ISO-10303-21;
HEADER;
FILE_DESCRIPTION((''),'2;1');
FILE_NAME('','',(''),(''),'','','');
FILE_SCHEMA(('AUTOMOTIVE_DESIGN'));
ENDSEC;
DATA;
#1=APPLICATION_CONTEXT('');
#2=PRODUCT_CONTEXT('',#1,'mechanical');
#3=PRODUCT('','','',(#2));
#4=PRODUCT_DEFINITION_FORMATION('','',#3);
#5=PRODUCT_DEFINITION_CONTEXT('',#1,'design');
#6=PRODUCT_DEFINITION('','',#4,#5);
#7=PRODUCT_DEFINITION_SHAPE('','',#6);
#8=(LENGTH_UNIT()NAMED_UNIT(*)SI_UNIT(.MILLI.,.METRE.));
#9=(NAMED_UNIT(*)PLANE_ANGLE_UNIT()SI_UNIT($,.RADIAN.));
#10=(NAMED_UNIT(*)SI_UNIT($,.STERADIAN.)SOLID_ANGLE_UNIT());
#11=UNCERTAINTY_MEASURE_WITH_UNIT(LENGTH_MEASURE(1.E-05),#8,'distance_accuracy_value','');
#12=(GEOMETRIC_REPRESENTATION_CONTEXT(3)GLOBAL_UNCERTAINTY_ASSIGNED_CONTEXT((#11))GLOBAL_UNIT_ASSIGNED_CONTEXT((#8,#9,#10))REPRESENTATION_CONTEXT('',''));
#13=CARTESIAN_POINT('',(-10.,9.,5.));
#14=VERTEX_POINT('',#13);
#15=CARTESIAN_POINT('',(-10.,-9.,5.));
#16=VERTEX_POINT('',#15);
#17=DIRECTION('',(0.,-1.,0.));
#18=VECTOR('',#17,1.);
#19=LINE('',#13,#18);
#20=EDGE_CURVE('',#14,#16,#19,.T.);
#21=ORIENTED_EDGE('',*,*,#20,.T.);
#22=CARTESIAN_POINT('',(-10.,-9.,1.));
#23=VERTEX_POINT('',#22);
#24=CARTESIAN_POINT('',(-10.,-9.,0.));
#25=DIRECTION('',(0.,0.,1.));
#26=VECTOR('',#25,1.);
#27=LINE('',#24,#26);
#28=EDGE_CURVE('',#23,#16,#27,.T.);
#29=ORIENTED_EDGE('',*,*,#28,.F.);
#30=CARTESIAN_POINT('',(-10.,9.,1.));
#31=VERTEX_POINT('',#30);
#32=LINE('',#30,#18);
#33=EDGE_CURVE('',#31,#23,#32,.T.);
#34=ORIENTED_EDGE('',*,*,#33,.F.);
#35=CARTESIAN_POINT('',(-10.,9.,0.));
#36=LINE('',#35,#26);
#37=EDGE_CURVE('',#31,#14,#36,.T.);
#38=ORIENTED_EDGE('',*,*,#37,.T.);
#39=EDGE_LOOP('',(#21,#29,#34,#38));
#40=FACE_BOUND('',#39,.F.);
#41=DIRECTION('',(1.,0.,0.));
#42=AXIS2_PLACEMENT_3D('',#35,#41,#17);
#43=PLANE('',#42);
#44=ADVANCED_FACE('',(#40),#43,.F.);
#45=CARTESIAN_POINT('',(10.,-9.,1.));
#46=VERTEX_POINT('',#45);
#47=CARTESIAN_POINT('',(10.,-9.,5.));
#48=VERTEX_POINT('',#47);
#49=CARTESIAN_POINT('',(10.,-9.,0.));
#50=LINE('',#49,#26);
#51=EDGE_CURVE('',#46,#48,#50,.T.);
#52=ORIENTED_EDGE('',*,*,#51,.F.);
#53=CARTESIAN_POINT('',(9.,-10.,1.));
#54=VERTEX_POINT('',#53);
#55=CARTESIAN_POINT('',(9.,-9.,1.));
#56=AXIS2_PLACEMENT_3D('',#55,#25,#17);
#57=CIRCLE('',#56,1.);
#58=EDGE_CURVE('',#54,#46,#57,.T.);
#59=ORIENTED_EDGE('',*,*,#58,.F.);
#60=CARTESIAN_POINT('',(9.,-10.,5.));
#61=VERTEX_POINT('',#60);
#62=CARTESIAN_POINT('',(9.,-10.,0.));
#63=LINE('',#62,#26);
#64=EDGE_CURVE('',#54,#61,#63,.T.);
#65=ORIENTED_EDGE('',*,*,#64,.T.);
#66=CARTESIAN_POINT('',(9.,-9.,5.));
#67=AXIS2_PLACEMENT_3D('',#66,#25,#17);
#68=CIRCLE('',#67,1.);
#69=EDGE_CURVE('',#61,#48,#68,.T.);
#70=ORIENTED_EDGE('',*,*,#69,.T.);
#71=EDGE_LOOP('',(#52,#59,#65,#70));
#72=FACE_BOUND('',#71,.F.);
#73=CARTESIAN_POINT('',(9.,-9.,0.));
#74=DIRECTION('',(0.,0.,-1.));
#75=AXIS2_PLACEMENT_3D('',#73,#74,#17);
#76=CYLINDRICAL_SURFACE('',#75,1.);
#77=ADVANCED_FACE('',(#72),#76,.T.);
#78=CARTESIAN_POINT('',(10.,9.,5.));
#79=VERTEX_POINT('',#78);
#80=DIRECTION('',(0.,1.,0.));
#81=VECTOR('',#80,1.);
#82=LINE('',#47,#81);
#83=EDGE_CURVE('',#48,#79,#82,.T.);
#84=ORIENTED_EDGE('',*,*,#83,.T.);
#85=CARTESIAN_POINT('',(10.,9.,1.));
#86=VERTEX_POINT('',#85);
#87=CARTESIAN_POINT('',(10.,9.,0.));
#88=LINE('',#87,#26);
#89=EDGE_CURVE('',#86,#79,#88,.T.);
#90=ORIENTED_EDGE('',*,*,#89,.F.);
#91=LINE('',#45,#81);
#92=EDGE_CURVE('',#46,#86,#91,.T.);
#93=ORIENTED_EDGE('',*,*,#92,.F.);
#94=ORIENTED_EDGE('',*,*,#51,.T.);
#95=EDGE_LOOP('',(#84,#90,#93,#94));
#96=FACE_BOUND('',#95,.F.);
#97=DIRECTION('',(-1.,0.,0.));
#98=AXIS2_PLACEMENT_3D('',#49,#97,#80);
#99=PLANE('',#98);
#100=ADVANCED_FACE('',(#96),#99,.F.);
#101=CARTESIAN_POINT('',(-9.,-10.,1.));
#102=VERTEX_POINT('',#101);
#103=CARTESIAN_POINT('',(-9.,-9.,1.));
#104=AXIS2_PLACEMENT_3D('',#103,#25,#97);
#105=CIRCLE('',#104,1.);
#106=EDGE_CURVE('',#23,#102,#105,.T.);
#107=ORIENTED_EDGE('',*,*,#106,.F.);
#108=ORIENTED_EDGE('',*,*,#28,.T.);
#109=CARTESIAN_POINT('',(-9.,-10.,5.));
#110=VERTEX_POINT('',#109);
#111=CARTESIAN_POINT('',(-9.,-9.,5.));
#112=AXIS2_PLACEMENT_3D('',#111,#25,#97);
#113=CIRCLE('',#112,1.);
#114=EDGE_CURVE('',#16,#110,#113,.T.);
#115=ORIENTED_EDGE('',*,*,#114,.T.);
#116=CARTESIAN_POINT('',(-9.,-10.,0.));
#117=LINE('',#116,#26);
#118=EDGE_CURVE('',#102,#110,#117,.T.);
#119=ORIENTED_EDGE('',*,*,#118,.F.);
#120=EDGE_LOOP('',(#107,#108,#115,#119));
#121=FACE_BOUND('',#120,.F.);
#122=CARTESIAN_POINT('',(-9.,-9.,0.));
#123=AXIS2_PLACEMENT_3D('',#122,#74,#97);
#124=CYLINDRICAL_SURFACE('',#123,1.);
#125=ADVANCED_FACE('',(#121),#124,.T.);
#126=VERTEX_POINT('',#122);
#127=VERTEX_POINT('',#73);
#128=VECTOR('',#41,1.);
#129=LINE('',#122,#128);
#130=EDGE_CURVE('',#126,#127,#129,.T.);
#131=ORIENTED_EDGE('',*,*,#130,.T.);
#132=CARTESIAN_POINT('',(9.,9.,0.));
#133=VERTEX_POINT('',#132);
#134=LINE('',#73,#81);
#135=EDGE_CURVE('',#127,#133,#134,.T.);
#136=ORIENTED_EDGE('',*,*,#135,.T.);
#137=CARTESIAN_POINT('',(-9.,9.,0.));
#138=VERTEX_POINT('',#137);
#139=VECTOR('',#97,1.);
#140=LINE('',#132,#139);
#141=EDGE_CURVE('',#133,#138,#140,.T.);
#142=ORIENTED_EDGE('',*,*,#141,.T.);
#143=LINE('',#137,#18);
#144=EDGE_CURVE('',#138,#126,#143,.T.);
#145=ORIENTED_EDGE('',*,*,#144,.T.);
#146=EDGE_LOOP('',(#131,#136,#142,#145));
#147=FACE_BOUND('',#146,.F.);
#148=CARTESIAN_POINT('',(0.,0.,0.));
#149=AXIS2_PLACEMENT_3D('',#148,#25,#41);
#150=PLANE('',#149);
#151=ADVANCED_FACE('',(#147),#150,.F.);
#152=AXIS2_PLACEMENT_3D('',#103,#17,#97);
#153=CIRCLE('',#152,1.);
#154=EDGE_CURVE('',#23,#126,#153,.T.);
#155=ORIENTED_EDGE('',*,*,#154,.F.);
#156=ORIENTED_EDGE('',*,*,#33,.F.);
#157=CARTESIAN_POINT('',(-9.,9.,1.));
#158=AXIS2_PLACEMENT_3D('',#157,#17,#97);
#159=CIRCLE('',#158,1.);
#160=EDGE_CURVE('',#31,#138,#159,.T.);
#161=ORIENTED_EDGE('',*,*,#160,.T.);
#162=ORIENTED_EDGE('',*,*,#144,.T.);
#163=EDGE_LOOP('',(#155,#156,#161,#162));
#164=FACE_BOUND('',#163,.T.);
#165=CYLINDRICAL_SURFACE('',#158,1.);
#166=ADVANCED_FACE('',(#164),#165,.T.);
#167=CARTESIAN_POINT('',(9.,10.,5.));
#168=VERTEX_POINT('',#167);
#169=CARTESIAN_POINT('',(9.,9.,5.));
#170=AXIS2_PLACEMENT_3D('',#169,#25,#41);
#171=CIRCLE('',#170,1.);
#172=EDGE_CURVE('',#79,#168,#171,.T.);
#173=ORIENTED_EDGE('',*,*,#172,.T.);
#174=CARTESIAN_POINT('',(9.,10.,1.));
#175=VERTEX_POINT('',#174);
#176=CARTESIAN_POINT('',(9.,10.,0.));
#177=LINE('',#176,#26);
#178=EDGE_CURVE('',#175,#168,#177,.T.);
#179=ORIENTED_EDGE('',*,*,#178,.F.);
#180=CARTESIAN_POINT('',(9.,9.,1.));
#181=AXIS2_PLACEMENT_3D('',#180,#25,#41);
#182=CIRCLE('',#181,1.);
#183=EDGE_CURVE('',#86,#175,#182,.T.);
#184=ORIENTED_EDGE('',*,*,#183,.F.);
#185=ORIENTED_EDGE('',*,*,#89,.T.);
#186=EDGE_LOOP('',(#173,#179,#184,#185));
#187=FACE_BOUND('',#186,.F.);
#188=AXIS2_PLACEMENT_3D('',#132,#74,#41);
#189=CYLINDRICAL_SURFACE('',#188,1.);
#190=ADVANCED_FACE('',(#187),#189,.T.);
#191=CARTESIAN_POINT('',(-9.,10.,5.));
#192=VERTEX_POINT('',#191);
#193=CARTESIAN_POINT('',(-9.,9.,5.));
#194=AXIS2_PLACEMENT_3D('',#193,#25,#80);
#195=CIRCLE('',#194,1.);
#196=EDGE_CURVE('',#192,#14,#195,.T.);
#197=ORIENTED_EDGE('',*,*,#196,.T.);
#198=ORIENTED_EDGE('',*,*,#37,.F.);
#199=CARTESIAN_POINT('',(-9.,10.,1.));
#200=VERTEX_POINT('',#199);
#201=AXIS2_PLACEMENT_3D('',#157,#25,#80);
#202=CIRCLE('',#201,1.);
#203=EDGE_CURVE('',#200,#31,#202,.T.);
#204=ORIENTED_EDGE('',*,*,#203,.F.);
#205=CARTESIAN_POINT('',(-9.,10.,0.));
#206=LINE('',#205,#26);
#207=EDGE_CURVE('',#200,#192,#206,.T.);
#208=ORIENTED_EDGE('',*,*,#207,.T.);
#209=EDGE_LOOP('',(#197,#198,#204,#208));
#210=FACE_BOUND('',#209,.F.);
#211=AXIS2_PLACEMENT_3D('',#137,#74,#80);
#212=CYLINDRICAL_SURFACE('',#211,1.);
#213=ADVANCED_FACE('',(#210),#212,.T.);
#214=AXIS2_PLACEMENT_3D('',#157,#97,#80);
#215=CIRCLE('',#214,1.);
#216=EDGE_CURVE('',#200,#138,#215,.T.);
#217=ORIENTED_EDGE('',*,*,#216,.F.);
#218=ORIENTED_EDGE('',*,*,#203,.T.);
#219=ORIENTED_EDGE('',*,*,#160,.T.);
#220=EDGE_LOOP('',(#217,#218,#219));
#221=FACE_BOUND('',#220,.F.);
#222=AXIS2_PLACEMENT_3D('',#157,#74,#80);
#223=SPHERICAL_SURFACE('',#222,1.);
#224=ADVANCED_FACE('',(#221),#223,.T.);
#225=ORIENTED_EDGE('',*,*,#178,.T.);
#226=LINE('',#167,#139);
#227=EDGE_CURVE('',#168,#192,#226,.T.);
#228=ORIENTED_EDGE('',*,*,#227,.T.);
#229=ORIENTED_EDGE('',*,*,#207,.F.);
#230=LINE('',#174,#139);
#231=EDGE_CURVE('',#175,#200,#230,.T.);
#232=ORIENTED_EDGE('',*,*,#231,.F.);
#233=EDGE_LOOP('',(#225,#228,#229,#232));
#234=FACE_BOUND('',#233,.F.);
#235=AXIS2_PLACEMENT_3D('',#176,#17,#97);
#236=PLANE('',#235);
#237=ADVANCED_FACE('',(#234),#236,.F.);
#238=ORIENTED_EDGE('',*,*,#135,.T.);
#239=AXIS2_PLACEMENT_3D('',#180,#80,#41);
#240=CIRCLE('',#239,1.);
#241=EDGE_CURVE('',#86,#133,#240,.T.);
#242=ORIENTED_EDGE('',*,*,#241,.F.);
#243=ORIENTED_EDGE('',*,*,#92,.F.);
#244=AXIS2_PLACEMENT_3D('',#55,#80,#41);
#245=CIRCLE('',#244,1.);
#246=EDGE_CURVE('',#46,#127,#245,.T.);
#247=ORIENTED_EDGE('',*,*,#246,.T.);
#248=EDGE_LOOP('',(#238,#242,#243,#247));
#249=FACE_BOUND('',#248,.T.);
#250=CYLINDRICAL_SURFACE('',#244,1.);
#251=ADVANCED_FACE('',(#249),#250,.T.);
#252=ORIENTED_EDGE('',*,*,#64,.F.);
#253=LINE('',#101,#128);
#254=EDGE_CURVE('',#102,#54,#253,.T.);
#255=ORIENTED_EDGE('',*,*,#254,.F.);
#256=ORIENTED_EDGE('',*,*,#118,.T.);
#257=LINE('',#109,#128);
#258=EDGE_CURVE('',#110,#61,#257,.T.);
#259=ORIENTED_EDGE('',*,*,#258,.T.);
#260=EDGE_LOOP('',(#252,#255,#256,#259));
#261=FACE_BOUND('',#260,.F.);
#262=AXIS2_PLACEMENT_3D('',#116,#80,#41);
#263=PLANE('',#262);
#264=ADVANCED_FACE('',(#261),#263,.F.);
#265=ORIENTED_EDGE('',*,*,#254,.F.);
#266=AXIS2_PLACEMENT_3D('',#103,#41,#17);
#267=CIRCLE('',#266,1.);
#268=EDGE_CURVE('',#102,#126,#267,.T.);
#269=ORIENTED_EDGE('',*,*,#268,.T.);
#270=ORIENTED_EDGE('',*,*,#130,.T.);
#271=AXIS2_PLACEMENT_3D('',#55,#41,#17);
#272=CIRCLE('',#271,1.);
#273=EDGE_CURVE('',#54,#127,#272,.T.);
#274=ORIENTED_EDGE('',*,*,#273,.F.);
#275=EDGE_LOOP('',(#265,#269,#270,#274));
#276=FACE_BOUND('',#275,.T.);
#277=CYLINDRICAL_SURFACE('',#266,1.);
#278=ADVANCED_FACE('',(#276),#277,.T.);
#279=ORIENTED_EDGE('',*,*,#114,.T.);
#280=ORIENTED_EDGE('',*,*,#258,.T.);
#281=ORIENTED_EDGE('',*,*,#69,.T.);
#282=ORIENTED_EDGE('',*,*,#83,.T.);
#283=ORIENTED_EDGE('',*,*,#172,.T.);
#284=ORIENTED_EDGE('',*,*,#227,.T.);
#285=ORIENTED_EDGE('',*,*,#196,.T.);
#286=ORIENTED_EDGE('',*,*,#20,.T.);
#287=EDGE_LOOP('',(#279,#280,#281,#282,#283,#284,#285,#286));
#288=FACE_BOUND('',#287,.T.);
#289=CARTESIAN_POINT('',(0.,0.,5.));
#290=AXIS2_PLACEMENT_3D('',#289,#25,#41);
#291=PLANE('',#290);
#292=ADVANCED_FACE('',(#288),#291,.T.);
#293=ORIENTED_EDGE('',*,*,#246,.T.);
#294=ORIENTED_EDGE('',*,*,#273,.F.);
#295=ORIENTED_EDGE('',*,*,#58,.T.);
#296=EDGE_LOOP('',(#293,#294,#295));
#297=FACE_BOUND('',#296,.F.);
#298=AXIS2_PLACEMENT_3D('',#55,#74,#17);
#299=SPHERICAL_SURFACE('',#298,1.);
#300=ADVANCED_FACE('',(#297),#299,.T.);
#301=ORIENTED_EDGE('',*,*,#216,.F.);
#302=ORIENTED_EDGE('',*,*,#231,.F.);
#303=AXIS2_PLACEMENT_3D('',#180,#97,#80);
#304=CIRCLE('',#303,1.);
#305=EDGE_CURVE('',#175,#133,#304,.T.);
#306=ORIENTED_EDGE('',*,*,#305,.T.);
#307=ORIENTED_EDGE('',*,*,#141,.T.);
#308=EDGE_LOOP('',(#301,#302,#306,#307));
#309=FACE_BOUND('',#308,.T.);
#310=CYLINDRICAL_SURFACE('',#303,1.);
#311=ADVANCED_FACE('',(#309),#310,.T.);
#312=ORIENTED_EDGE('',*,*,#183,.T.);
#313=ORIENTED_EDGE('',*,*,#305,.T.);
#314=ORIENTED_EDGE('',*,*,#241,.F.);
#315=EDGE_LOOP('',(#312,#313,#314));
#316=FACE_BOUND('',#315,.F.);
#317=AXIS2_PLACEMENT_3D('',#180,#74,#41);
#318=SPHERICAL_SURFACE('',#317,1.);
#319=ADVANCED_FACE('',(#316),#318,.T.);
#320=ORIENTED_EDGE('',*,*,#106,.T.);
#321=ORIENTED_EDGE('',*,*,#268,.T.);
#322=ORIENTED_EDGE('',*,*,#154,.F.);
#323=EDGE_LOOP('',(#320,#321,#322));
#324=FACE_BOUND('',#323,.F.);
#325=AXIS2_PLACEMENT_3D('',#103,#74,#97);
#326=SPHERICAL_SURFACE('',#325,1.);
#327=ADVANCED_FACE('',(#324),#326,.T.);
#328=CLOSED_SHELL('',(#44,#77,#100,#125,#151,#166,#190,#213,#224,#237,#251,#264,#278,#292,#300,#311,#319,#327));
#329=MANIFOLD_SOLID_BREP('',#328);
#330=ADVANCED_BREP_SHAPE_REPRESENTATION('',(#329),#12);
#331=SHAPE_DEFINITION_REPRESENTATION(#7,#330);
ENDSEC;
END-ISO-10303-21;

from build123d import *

# Parameters (mm, degrees)
F1_DEPTH = 5
F2_R     = 1


with BuildPart() as f1:
    # F0 (on Top) → F1 (new body)
    with BuildSketch(Plane.XY):
        with BuildLine():
            Line((-9, -10), (9, -10))
            ThreePointArc((9, -10), (9.7071067812, -9.7071067812), (10, -9))
            Line((10, -9), (10, 9))
            ThreePointArc((10, 9), (9.7071067812, 9.7071067812), (9, 10))
            Line((9, 10), (-9, 10))
            ThreePointArc((-9, 10), (-9.7071067812, 9.7071067812), (-10, 9))
            Line((-10, 9), (-10, -9))
            ThreePointArc((-10, -9), (-9.7071067812, -9.7071067812), (-9, -10))
        make_face()
    extrude(amount=F1_DEPTH)

    # F2
    f2_edges = [f1.edges().sort_by_distance(p)[0] for p in [
        (0, -10, 0),
        (9.707107, -9.707107, 0),
        (10, 0, 0),
        (9.707107, 9.707107, 0),
        (0, 10, 0),
        (-9.707107, 9.707107, 0),
        (-10, 0, 0),
        (-9.707107, -9.707107, 0),
    ]]
    fillet(f2_edges, radius=F2_R)


solid = f1.part
